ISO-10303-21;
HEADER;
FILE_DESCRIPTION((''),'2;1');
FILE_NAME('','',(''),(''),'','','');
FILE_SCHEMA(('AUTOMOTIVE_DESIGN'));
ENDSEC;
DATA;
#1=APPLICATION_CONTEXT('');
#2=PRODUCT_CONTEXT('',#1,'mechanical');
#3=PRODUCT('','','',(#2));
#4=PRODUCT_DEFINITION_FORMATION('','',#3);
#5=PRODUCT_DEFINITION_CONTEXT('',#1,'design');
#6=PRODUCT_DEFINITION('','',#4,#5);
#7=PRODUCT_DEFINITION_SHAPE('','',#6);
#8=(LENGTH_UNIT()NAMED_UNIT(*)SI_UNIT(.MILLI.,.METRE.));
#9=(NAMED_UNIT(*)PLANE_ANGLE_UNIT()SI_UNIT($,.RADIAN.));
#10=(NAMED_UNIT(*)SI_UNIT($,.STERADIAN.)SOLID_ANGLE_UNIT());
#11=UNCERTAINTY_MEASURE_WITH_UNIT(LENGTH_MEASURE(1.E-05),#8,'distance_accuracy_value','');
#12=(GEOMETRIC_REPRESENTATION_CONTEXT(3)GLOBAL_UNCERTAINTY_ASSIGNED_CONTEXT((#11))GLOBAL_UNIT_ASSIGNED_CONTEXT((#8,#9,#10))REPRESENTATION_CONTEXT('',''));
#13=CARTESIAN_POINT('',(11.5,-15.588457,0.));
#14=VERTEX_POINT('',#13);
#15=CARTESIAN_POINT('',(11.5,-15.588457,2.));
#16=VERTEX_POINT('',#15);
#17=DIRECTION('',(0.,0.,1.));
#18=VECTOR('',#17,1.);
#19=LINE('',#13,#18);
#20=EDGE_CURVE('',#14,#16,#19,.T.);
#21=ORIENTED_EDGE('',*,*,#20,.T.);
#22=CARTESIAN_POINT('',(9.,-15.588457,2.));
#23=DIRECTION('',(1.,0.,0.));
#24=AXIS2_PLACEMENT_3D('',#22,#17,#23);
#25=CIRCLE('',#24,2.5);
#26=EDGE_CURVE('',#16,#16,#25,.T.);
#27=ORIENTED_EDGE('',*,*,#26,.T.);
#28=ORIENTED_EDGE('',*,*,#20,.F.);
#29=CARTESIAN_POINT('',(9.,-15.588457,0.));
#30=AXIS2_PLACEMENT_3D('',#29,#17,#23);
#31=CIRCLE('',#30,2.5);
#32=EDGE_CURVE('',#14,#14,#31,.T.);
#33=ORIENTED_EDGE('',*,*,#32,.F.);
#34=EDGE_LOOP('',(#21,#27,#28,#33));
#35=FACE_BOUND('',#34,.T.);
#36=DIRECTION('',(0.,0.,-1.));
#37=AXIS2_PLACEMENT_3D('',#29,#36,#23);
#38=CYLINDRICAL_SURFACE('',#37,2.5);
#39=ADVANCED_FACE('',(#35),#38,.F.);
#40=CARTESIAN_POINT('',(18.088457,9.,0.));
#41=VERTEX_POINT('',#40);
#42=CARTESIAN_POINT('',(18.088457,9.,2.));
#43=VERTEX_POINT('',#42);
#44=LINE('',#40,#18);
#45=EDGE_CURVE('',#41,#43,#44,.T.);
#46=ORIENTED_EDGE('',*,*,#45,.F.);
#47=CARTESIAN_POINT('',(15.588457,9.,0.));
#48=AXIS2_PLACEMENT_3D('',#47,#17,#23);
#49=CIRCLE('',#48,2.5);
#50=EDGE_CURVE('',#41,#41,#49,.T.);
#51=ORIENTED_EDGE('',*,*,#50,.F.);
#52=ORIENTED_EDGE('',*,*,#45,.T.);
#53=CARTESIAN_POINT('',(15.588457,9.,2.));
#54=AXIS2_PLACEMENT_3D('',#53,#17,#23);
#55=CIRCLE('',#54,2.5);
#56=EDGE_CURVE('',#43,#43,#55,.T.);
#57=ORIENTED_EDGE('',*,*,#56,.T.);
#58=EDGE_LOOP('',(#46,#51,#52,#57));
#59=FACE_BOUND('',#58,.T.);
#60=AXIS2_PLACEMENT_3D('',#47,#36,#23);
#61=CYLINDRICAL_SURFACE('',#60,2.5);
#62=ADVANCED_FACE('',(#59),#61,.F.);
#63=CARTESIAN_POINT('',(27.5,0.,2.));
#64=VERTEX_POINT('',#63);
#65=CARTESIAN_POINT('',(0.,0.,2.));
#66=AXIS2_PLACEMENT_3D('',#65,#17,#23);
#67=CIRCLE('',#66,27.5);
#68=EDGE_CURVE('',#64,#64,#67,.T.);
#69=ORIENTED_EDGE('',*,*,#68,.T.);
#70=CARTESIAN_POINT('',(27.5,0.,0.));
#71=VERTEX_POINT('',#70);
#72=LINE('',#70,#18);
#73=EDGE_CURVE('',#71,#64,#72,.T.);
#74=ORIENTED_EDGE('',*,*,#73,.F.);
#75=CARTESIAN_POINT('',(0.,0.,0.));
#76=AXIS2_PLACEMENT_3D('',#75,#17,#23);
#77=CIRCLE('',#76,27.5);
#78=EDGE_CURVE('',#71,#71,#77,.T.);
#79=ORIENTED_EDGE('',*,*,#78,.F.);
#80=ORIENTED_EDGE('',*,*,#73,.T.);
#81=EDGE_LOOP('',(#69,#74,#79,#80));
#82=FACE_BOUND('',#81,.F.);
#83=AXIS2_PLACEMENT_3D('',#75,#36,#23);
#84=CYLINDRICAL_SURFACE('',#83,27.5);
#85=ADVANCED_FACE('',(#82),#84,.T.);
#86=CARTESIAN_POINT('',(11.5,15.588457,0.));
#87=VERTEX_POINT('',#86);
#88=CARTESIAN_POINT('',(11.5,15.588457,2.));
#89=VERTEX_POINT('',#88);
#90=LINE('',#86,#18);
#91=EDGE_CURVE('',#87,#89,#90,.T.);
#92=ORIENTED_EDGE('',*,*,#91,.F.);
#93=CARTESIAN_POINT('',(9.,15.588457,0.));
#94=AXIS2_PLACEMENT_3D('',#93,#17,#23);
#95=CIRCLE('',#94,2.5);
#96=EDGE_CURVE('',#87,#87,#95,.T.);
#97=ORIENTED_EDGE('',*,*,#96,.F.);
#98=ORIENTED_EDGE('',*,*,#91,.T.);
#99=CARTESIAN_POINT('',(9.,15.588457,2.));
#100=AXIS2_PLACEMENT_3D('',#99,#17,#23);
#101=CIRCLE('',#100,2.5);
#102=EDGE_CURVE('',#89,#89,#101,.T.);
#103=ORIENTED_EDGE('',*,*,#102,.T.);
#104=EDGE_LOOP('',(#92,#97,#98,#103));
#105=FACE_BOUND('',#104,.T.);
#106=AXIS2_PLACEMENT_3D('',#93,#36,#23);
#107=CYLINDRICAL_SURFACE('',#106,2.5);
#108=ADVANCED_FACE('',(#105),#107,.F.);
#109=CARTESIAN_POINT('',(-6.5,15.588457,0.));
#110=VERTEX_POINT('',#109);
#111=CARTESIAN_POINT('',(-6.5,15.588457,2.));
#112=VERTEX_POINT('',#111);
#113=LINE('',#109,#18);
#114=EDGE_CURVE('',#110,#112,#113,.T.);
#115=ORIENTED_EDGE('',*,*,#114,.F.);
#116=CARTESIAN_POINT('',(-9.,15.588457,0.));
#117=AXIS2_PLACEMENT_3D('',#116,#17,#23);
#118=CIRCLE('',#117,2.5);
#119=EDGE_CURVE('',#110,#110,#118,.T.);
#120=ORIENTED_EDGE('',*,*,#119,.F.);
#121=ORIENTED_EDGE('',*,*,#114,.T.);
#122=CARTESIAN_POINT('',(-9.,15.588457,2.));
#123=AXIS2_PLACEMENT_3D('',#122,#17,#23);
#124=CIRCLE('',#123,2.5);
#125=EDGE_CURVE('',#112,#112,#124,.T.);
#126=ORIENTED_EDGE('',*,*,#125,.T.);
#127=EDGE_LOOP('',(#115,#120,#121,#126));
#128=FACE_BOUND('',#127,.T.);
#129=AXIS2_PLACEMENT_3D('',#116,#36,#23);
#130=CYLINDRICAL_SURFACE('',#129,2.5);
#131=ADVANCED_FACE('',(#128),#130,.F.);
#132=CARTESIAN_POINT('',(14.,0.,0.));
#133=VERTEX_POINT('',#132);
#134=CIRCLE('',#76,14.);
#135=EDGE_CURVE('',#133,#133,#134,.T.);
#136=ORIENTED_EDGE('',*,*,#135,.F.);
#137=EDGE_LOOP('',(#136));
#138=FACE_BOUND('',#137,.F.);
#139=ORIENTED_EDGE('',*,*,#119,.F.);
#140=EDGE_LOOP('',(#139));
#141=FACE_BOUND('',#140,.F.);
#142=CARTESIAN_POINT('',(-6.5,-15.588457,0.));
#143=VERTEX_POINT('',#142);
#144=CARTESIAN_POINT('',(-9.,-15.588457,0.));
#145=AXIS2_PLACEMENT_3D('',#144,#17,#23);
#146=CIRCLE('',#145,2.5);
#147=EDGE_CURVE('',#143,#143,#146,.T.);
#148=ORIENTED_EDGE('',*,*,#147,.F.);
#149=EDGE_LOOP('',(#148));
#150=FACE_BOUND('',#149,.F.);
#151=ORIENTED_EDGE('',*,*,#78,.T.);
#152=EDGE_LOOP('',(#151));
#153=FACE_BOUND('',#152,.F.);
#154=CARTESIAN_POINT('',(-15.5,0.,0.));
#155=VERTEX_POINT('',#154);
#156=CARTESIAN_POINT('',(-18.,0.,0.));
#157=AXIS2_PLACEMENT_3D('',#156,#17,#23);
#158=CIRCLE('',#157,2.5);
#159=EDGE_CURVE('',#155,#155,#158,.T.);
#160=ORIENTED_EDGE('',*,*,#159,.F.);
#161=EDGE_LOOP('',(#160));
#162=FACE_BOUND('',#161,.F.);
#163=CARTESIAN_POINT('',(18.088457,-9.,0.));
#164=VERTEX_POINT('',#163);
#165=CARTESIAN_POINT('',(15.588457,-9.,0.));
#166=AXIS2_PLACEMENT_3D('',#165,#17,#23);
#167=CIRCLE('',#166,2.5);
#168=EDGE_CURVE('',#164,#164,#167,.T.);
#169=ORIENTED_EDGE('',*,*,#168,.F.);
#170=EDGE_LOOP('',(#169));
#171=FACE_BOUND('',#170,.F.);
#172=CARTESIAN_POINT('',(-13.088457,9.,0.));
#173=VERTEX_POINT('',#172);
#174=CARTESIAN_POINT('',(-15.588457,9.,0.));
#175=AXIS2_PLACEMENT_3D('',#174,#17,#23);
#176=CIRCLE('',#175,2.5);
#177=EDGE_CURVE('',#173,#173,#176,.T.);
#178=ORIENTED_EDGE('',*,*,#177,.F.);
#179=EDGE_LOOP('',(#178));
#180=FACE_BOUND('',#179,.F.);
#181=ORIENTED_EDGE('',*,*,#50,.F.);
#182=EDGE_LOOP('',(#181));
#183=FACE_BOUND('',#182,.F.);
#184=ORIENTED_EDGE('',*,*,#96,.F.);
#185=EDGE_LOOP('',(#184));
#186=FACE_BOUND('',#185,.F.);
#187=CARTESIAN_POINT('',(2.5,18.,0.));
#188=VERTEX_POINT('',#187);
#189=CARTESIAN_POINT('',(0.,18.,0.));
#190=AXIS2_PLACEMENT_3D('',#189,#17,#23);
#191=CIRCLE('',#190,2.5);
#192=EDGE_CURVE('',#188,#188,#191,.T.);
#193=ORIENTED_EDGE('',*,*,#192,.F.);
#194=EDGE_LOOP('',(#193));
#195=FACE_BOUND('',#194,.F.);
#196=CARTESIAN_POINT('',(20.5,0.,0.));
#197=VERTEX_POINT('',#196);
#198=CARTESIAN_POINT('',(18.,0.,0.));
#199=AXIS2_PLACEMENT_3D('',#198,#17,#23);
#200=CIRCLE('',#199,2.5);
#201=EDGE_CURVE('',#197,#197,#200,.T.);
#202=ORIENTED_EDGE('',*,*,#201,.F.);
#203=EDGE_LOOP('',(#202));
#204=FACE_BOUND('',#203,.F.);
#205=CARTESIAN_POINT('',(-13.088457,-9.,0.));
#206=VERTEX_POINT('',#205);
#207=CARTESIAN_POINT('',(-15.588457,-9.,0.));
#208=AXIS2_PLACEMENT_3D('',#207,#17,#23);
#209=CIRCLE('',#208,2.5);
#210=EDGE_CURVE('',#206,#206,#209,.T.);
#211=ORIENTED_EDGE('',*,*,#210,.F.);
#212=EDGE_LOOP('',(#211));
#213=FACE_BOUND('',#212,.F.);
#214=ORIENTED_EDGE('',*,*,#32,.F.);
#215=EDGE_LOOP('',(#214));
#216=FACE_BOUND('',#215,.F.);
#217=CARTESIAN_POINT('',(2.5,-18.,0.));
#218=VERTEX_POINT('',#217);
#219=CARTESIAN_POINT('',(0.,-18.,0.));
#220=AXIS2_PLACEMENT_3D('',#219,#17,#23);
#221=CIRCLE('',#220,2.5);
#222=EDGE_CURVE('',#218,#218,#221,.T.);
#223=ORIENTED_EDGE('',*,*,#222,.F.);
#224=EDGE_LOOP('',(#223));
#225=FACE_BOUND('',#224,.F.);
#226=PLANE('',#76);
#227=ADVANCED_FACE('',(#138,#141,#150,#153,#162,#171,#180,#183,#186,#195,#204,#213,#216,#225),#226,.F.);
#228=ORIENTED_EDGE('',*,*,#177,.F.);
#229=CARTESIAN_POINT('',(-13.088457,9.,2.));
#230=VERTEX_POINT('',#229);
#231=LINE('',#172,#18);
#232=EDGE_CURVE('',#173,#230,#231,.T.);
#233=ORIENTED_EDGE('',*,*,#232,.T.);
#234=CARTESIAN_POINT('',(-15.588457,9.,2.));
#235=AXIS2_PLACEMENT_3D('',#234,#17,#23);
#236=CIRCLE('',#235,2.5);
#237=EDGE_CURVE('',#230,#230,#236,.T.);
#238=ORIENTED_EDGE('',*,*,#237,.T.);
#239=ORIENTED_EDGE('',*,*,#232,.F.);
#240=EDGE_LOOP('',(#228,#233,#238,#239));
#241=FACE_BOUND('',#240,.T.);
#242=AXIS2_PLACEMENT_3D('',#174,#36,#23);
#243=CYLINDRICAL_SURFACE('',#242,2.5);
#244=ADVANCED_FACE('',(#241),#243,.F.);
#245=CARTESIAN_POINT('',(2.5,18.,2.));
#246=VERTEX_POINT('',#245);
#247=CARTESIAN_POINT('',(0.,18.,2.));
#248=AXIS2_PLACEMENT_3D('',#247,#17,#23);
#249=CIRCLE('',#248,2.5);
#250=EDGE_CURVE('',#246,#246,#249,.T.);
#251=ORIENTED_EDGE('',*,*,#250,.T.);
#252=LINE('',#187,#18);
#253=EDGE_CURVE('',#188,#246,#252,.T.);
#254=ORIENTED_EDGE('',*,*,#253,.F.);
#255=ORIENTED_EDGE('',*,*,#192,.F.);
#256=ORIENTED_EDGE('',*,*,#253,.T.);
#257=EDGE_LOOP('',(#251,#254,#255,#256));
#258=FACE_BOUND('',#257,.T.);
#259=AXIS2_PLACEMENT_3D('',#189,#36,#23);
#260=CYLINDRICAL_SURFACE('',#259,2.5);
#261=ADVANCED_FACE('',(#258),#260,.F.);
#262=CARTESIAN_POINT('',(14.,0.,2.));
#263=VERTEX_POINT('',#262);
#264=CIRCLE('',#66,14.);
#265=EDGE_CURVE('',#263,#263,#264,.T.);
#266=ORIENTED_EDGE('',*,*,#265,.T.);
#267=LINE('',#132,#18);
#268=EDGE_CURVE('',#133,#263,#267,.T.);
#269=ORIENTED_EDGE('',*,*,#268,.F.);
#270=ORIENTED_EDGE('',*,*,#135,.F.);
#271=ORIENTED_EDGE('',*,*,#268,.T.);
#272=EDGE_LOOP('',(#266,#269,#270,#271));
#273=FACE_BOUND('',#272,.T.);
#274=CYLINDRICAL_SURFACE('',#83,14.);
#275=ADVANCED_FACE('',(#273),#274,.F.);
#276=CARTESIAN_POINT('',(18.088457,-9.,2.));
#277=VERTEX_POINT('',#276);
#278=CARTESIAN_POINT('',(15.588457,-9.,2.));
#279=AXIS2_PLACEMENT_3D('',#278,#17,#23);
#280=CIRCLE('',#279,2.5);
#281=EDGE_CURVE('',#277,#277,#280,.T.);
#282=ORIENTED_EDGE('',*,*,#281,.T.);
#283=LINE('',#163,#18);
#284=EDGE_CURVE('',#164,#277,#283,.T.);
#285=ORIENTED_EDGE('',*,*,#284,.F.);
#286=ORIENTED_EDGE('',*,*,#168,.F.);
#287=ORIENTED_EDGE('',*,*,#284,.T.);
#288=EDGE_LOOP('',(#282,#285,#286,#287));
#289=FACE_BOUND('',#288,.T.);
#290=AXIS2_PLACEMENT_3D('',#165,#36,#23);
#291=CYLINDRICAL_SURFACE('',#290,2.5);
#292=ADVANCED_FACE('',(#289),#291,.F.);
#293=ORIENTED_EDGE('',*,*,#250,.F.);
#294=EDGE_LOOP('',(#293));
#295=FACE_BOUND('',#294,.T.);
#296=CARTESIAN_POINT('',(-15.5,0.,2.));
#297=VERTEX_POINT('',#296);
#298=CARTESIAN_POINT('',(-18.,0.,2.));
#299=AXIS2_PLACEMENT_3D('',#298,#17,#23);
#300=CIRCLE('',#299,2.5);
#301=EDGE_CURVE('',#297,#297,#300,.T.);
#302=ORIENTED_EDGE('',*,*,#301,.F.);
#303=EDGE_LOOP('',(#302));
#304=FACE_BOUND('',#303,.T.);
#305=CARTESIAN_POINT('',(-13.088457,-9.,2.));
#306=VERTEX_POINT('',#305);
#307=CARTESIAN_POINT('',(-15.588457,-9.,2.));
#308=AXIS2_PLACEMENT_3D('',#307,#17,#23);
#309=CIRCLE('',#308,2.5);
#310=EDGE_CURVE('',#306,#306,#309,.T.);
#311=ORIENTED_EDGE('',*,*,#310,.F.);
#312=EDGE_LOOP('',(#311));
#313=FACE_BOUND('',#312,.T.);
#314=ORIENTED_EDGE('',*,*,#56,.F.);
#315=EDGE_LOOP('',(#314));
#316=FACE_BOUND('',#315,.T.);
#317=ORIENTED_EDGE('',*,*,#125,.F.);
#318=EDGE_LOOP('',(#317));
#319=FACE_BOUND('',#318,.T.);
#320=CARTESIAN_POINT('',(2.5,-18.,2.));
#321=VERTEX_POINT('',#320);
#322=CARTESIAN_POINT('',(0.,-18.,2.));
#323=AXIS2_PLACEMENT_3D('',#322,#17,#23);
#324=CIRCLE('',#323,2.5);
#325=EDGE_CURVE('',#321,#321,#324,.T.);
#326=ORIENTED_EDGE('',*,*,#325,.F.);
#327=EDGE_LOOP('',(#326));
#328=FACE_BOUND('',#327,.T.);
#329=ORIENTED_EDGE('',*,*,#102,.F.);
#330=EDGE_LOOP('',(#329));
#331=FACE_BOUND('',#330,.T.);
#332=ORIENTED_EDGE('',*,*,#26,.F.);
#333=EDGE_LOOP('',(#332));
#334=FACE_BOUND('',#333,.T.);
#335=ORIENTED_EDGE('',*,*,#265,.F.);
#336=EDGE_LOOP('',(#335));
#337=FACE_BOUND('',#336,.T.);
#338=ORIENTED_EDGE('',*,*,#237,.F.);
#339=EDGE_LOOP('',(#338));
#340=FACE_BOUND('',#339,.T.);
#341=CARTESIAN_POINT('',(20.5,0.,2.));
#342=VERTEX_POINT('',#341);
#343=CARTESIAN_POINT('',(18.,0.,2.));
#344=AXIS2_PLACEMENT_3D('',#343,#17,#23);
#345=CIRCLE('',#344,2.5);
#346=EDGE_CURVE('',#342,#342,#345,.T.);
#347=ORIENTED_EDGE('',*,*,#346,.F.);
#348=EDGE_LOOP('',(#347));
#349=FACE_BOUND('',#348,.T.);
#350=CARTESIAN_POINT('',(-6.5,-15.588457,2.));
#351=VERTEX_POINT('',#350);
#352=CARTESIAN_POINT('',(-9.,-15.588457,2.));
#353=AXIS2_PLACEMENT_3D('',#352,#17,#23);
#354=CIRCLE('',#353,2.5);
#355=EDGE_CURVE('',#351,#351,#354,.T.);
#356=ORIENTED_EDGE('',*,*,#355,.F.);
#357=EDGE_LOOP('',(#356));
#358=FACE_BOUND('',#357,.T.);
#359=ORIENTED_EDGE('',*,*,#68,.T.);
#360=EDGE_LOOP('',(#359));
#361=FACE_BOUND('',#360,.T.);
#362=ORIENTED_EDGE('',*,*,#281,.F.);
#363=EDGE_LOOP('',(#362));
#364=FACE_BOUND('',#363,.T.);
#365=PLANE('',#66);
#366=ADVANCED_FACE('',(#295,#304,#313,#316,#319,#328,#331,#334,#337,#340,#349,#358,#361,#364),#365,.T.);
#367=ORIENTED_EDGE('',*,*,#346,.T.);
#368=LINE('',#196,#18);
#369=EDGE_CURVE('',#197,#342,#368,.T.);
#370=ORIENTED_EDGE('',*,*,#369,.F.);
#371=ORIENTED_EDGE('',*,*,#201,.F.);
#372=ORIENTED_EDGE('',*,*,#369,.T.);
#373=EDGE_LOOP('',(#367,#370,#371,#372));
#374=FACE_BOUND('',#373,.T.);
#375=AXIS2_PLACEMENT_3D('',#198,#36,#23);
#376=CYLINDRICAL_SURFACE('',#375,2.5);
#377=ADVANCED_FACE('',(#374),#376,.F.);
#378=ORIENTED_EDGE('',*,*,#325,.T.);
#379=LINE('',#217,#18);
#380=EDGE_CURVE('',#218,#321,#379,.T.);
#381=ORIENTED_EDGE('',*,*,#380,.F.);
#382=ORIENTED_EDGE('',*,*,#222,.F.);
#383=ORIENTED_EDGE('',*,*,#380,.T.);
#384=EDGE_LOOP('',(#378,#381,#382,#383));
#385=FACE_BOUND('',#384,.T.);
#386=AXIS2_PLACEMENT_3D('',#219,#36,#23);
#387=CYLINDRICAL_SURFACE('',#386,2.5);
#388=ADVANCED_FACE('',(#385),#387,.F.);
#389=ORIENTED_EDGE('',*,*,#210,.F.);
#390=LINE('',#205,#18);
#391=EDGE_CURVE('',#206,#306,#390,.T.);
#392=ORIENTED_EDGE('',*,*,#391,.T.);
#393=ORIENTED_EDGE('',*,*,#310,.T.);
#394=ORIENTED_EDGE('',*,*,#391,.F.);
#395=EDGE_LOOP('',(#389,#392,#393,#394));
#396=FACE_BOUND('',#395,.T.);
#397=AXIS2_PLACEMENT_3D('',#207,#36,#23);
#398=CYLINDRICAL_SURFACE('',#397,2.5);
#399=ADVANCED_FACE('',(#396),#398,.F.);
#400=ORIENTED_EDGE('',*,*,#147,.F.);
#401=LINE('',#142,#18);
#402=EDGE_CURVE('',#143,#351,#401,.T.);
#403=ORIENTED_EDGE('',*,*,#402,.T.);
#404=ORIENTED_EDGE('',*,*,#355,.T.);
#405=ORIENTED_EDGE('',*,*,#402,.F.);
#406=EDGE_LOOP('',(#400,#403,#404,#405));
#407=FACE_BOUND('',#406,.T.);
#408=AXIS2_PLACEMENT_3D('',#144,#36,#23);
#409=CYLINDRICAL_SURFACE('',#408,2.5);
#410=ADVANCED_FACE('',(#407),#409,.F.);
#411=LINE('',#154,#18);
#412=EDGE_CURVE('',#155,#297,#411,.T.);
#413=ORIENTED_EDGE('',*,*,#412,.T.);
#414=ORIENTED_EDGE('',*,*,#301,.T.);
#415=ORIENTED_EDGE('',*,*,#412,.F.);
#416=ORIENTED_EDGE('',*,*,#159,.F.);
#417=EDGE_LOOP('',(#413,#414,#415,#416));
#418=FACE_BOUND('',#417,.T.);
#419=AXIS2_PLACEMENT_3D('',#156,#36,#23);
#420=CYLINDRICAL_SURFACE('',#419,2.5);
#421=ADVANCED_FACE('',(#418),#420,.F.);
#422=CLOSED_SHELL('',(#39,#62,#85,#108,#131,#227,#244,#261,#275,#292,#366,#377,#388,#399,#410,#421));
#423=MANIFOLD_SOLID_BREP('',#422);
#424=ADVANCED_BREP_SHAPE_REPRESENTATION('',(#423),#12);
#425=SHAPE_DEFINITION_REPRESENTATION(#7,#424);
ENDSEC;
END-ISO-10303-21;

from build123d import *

# Parameters (mm, degrees)
SKETCH_R   = 27.5
SKETCH_R_2 = 14
SKETCH_R_3 = 2.5
PAD_DEPTH  = 2


with BuildPart() as part:
    # Sketch → Pad (new body)
    with BuildSketch(Plane.XY):
        Circle(SKETCH_R)
        Circle(SKETCH_R_2, mode=Mode.SUBTRACT)
        with Locations((0, 18)):
            Circle(SKETCH_R_3, mode=Mode.SUBTRACT)
        with Locations((-15.588457, -9)):
            Circle(SKETCH_R_3, mode=Mode.SUBTRACT)
        with Locations((15.588457, -9)):
            Circle(SKETCH_R_3, mode=Mode.SUBTRACT)
        with Locations((0, -18)):
            Circle(SKETCH_R_3, mode=Mode.SUBTRACT)
        with Locations((-15.588457, 9)):
            Circle(SKETCH_R_3, mode=Mode.SUBTRACT)
        with Locations((15.588457, 9)):
            Circle(SKETCH_R_3, mode=Mode.SUBTRACT)
        with Locations((-9, 15.588457)):
            Circle(SKETCH_R_3, mode=Mode.SUBTRACT)
        with Locations((9, -15.588457)):
            Circle(SKETCH_R_3, mode=Mode.SUBTRACT)
        with Locations((9, 15.588457)):
            Circle(SKETCH_R_3, mode=Mode.SUBTRACT)
        with Locations((-9, -15.588457)):
            Circle(SKETCH_R_3, mode=Mode.SUBTRACT)
        with Locations((18, 0)):
            Circle(SKETCH_R_3, mode=Mode.SUBTRACT)
        with Locations((-18, 0)):
            Circle(SKETCH_R_3, mode=Mode.SUBTRACT)
    extrude(amount=PAD_DEPTH)


solid = part.part
